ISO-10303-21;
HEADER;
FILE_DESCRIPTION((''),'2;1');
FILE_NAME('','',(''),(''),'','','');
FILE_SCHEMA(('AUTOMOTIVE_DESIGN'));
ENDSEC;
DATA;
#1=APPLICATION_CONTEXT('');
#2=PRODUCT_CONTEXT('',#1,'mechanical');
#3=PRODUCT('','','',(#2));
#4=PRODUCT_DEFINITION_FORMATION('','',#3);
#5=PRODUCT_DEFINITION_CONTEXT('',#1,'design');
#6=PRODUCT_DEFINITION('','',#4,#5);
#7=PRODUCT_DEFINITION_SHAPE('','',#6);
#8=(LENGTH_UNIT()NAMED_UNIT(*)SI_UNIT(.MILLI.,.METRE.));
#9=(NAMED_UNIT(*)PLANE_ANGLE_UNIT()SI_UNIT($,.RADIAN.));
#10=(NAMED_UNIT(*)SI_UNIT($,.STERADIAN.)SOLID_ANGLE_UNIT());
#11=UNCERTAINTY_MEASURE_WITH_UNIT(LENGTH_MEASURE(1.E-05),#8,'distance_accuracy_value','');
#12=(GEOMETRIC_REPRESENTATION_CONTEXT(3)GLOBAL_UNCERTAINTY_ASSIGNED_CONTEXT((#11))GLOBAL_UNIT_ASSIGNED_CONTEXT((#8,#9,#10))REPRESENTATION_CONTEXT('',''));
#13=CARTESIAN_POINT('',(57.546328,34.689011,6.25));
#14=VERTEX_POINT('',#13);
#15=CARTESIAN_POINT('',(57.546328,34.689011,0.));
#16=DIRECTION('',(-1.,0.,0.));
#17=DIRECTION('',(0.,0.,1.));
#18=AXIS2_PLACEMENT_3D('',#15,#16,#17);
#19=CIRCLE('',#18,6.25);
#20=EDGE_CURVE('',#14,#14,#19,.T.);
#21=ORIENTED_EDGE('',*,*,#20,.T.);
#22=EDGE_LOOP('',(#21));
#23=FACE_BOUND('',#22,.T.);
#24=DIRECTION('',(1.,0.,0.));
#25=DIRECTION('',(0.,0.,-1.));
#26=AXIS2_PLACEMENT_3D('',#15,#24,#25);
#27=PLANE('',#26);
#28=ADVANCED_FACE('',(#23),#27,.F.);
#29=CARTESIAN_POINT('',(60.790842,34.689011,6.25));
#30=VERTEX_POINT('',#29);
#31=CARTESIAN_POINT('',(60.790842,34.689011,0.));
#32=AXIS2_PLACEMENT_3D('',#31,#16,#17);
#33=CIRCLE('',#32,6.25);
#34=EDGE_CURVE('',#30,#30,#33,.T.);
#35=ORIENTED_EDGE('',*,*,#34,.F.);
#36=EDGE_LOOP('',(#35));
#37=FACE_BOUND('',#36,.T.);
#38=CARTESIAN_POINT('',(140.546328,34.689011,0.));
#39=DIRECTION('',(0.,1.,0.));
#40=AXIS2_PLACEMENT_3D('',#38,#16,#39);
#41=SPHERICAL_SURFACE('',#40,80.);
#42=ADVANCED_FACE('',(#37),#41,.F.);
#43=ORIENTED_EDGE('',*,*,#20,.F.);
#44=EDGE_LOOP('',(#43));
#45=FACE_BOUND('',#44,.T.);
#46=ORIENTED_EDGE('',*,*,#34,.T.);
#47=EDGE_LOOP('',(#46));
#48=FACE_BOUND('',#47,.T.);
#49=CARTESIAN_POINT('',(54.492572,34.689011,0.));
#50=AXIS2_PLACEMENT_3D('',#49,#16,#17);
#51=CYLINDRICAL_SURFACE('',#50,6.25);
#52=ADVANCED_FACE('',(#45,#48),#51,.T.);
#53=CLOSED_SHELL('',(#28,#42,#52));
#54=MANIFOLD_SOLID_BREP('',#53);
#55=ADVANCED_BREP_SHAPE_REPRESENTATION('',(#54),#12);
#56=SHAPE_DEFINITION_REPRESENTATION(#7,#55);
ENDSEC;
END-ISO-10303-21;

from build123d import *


with BuildPart() as part:
    # 草图1 → 旋转1 (revolve)
    with BuildSketch(Plane.XY):
        with BuildLine():
            Line((57.546327767, 34.689010562), (57.546327767, 40.939010562))
            Line((57.546327767, 40.939010562), (60.790842203, 40.939010562))
            ThreePointArc((60.790842203, 40.939010562), (60.607479854, 37.816401137), (60.546327908, 34.689010562))
            Line((60.546327908, 34.689010562), (57.546327767, 34.689010562))
        make_face()
    revolve(axis=Axis((54.492571501, 34.689010562, 0), (1, 0, 0)))


solid = part.part
